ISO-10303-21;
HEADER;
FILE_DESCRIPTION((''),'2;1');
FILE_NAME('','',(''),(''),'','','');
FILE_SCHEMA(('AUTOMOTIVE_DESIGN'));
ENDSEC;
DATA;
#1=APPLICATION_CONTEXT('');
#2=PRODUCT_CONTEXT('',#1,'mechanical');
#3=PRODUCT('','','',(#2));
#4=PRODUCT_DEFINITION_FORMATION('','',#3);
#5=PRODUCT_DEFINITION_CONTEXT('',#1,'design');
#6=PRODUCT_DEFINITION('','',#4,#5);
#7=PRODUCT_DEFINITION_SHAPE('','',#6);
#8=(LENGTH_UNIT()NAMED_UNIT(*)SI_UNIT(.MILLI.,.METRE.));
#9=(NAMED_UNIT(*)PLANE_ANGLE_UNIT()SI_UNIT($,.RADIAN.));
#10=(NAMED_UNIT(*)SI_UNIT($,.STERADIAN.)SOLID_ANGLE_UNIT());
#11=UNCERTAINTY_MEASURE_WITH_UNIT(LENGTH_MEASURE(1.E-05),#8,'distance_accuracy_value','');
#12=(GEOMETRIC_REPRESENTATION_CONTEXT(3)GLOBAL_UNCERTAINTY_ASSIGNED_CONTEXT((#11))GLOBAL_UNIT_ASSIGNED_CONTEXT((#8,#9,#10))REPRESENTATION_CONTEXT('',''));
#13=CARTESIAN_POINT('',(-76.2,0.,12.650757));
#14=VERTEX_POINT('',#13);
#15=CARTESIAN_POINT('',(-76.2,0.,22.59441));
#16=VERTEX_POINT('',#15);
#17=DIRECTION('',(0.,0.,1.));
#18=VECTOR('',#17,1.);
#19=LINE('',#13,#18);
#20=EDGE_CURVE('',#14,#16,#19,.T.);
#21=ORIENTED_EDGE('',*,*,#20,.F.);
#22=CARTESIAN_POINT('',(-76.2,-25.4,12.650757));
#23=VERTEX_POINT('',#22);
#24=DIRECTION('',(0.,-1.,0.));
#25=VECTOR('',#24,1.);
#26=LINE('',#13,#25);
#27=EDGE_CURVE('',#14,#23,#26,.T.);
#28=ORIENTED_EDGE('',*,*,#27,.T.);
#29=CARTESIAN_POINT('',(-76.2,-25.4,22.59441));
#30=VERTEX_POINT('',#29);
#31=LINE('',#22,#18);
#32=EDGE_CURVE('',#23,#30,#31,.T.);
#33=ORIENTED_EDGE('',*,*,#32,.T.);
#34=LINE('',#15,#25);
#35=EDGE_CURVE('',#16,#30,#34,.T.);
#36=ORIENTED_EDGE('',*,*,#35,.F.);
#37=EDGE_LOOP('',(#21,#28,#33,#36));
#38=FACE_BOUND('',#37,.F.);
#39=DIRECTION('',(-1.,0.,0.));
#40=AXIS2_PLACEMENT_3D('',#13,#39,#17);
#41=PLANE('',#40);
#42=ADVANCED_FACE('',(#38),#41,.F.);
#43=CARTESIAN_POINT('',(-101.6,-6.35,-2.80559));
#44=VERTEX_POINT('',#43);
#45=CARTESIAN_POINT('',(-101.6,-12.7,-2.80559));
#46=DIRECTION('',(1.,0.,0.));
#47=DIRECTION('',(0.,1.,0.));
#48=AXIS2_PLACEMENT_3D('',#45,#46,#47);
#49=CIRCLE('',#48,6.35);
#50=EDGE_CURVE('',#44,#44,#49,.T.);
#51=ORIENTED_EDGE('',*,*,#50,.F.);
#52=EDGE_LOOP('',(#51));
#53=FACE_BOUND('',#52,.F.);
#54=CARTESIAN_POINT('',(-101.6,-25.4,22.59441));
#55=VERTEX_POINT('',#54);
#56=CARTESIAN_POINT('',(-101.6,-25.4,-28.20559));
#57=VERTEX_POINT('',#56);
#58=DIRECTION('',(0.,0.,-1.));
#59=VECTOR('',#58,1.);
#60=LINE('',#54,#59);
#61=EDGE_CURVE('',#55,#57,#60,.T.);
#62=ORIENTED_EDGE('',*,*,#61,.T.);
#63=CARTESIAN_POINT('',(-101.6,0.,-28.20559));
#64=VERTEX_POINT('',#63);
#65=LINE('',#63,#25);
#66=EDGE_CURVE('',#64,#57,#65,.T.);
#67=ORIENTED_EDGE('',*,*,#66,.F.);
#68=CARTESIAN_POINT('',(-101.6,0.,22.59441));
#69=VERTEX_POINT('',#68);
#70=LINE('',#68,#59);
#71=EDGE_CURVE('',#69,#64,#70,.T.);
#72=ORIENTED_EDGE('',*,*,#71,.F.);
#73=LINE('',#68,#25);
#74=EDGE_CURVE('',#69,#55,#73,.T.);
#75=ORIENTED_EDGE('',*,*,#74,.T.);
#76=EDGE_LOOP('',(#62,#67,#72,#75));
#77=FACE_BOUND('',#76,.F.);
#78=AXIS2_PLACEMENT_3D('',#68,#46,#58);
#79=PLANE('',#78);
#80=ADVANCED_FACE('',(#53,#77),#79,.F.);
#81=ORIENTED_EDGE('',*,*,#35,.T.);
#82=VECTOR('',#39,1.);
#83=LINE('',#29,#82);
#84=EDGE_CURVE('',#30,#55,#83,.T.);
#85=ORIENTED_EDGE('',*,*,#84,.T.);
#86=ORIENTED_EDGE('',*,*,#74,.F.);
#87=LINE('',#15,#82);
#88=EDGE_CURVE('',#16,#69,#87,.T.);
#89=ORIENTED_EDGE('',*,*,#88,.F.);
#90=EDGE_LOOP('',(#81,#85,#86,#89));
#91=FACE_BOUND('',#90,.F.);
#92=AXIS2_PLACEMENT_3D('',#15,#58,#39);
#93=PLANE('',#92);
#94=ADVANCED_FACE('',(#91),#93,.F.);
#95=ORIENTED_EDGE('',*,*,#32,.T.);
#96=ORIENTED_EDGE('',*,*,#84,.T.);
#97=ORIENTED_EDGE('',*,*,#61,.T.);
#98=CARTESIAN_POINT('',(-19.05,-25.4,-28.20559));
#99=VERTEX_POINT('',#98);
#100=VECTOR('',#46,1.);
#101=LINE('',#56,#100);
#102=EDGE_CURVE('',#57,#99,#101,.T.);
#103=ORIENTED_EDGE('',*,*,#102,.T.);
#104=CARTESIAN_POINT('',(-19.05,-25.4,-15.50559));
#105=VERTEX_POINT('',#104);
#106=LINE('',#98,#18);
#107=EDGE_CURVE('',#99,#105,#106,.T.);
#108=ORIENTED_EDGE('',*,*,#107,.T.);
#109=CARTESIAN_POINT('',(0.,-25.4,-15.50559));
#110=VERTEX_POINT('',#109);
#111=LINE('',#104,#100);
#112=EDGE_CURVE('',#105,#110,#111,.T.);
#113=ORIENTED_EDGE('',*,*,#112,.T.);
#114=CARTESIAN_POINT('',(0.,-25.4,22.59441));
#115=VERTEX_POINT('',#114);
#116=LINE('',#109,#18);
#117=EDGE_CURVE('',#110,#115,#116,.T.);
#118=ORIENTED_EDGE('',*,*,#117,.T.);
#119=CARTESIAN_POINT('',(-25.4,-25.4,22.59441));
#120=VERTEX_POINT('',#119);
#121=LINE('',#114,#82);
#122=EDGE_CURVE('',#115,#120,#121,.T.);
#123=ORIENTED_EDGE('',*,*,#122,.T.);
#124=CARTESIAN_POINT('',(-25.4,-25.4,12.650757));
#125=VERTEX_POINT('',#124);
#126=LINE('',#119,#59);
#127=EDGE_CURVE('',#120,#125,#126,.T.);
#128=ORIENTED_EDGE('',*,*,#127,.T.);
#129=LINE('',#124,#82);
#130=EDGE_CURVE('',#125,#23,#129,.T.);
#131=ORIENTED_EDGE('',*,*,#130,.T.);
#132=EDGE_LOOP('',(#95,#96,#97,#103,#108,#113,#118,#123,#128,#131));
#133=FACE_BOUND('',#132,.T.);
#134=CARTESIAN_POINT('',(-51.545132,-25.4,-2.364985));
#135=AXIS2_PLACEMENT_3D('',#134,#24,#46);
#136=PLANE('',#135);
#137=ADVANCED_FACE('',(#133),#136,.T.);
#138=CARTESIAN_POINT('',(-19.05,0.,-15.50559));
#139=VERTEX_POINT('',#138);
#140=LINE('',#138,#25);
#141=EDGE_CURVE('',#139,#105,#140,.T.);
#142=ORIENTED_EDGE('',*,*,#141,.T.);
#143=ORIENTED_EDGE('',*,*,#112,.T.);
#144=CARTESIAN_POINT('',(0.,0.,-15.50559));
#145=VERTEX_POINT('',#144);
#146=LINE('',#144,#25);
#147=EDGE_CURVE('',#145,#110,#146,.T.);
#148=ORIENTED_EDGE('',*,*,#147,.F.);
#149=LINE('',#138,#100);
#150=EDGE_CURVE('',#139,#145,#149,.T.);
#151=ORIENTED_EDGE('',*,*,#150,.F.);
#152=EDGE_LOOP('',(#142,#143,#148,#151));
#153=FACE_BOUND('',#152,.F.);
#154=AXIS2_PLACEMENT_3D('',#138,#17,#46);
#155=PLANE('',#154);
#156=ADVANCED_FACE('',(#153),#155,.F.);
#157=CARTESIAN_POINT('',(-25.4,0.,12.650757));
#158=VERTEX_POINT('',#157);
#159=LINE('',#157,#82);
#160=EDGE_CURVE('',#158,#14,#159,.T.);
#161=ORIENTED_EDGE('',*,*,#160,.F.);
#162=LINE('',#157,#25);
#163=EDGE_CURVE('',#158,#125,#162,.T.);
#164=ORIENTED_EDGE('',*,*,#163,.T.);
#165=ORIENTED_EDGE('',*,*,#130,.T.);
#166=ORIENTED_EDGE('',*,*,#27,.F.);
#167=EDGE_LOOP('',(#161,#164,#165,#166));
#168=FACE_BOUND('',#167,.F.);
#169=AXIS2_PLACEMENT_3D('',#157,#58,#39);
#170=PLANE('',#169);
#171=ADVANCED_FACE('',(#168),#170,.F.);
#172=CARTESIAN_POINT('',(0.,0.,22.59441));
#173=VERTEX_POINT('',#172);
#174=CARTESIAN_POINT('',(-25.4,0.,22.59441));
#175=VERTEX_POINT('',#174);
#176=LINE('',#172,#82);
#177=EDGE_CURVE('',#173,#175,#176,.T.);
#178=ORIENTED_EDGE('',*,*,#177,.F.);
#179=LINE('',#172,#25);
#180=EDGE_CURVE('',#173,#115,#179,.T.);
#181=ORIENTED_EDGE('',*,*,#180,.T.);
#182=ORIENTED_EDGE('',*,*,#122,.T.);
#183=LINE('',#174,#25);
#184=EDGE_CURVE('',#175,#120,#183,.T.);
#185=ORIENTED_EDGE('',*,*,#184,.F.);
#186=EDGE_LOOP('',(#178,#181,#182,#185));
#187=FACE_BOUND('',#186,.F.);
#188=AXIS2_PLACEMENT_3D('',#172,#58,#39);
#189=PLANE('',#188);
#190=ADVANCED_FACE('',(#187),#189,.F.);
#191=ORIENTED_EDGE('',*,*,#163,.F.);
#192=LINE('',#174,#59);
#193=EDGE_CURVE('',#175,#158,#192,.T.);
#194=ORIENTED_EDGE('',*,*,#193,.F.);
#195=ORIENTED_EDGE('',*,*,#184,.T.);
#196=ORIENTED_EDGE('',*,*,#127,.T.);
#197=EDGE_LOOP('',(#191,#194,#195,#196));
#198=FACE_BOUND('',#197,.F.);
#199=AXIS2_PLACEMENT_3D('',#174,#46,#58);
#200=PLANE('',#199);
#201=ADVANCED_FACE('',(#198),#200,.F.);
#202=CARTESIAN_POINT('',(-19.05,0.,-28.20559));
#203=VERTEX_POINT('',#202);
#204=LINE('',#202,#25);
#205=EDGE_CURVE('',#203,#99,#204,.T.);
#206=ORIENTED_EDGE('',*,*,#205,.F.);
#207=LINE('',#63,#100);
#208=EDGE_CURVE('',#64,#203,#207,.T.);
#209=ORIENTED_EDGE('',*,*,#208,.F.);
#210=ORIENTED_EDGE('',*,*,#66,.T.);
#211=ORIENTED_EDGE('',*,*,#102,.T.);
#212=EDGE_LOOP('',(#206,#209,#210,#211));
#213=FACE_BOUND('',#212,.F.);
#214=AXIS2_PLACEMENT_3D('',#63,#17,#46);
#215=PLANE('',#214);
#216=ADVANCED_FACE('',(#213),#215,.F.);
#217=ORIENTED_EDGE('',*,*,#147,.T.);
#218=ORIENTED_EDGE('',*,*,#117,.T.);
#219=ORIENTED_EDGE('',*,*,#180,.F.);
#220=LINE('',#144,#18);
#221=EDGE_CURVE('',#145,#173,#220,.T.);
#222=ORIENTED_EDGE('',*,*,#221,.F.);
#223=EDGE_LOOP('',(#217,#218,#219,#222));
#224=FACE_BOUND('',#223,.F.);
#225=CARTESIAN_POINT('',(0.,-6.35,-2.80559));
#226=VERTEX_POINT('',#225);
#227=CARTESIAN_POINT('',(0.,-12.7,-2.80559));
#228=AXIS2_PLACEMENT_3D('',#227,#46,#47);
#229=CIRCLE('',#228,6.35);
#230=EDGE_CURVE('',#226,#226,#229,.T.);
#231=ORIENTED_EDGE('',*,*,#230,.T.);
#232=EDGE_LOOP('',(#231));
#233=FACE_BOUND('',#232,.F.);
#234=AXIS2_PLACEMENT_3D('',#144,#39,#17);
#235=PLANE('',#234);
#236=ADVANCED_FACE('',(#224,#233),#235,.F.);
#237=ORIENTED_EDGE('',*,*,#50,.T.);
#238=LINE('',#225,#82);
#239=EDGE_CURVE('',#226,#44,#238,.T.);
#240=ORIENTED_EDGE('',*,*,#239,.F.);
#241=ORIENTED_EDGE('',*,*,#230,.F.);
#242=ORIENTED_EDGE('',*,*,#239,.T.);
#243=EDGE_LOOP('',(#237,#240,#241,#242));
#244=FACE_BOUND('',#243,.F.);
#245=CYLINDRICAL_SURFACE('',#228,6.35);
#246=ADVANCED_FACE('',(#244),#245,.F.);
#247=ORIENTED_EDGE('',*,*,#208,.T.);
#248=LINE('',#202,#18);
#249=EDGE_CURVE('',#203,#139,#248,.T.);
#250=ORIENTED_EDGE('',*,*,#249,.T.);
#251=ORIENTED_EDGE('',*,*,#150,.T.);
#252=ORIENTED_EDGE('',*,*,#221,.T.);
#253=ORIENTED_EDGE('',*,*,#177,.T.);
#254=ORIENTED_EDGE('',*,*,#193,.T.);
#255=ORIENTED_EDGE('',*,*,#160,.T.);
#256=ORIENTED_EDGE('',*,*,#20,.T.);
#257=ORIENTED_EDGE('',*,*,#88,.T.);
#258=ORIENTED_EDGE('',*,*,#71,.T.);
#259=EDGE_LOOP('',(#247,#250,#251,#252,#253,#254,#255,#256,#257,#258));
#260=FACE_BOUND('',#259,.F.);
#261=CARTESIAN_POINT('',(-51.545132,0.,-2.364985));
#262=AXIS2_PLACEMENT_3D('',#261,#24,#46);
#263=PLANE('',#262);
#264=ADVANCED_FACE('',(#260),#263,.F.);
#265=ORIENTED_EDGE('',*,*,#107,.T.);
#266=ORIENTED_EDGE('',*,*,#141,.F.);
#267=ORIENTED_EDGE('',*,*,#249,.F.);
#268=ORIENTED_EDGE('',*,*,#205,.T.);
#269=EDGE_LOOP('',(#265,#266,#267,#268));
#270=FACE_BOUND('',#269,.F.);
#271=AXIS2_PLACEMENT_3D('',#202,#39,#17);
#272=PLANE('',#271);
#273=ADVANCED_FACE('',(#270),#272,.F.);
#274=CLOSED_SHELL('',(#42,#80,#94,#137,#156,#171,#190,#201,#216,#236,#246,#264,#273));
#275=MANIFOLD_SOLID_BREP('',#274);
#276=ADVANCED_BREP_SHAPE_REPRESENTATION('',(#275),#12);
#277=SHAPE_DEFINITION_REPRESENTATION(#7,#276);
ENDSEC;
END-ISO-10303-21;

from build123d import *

# Parameters (mm, degrees)
F1_DEPTH = 25.4
F2_R     = 6.35
F3_DEPTH = 101.601


with BuildPart() as f1:
    # F0 (on Front) → F1 (new body)
    with BuildSketch(Plane.XZ):
        Polygon((-76.2, 22.59441), (-101.6, 22.59441), (-101.6, -28.20559), (-19.05, -28.20559), (-19.05, -15.50559), (0, -15.50559), (0, 22.59441), (-25.4, 22.59441), (-25.4, 12.650757), (-76.2, 12.650757), align=None)
    extrude(amount=F1_DEPTH)

    # F2 (on Right) → F3 (cut, through all)
    with BuildSketch(Plane.YZ):
        with Locations((-12.7, -2.80559)):
            Circle(F2_R)
    extrude(amount=-F3_DEPTH, mode=Mode.SUBTRACT)


solid = f1.part
